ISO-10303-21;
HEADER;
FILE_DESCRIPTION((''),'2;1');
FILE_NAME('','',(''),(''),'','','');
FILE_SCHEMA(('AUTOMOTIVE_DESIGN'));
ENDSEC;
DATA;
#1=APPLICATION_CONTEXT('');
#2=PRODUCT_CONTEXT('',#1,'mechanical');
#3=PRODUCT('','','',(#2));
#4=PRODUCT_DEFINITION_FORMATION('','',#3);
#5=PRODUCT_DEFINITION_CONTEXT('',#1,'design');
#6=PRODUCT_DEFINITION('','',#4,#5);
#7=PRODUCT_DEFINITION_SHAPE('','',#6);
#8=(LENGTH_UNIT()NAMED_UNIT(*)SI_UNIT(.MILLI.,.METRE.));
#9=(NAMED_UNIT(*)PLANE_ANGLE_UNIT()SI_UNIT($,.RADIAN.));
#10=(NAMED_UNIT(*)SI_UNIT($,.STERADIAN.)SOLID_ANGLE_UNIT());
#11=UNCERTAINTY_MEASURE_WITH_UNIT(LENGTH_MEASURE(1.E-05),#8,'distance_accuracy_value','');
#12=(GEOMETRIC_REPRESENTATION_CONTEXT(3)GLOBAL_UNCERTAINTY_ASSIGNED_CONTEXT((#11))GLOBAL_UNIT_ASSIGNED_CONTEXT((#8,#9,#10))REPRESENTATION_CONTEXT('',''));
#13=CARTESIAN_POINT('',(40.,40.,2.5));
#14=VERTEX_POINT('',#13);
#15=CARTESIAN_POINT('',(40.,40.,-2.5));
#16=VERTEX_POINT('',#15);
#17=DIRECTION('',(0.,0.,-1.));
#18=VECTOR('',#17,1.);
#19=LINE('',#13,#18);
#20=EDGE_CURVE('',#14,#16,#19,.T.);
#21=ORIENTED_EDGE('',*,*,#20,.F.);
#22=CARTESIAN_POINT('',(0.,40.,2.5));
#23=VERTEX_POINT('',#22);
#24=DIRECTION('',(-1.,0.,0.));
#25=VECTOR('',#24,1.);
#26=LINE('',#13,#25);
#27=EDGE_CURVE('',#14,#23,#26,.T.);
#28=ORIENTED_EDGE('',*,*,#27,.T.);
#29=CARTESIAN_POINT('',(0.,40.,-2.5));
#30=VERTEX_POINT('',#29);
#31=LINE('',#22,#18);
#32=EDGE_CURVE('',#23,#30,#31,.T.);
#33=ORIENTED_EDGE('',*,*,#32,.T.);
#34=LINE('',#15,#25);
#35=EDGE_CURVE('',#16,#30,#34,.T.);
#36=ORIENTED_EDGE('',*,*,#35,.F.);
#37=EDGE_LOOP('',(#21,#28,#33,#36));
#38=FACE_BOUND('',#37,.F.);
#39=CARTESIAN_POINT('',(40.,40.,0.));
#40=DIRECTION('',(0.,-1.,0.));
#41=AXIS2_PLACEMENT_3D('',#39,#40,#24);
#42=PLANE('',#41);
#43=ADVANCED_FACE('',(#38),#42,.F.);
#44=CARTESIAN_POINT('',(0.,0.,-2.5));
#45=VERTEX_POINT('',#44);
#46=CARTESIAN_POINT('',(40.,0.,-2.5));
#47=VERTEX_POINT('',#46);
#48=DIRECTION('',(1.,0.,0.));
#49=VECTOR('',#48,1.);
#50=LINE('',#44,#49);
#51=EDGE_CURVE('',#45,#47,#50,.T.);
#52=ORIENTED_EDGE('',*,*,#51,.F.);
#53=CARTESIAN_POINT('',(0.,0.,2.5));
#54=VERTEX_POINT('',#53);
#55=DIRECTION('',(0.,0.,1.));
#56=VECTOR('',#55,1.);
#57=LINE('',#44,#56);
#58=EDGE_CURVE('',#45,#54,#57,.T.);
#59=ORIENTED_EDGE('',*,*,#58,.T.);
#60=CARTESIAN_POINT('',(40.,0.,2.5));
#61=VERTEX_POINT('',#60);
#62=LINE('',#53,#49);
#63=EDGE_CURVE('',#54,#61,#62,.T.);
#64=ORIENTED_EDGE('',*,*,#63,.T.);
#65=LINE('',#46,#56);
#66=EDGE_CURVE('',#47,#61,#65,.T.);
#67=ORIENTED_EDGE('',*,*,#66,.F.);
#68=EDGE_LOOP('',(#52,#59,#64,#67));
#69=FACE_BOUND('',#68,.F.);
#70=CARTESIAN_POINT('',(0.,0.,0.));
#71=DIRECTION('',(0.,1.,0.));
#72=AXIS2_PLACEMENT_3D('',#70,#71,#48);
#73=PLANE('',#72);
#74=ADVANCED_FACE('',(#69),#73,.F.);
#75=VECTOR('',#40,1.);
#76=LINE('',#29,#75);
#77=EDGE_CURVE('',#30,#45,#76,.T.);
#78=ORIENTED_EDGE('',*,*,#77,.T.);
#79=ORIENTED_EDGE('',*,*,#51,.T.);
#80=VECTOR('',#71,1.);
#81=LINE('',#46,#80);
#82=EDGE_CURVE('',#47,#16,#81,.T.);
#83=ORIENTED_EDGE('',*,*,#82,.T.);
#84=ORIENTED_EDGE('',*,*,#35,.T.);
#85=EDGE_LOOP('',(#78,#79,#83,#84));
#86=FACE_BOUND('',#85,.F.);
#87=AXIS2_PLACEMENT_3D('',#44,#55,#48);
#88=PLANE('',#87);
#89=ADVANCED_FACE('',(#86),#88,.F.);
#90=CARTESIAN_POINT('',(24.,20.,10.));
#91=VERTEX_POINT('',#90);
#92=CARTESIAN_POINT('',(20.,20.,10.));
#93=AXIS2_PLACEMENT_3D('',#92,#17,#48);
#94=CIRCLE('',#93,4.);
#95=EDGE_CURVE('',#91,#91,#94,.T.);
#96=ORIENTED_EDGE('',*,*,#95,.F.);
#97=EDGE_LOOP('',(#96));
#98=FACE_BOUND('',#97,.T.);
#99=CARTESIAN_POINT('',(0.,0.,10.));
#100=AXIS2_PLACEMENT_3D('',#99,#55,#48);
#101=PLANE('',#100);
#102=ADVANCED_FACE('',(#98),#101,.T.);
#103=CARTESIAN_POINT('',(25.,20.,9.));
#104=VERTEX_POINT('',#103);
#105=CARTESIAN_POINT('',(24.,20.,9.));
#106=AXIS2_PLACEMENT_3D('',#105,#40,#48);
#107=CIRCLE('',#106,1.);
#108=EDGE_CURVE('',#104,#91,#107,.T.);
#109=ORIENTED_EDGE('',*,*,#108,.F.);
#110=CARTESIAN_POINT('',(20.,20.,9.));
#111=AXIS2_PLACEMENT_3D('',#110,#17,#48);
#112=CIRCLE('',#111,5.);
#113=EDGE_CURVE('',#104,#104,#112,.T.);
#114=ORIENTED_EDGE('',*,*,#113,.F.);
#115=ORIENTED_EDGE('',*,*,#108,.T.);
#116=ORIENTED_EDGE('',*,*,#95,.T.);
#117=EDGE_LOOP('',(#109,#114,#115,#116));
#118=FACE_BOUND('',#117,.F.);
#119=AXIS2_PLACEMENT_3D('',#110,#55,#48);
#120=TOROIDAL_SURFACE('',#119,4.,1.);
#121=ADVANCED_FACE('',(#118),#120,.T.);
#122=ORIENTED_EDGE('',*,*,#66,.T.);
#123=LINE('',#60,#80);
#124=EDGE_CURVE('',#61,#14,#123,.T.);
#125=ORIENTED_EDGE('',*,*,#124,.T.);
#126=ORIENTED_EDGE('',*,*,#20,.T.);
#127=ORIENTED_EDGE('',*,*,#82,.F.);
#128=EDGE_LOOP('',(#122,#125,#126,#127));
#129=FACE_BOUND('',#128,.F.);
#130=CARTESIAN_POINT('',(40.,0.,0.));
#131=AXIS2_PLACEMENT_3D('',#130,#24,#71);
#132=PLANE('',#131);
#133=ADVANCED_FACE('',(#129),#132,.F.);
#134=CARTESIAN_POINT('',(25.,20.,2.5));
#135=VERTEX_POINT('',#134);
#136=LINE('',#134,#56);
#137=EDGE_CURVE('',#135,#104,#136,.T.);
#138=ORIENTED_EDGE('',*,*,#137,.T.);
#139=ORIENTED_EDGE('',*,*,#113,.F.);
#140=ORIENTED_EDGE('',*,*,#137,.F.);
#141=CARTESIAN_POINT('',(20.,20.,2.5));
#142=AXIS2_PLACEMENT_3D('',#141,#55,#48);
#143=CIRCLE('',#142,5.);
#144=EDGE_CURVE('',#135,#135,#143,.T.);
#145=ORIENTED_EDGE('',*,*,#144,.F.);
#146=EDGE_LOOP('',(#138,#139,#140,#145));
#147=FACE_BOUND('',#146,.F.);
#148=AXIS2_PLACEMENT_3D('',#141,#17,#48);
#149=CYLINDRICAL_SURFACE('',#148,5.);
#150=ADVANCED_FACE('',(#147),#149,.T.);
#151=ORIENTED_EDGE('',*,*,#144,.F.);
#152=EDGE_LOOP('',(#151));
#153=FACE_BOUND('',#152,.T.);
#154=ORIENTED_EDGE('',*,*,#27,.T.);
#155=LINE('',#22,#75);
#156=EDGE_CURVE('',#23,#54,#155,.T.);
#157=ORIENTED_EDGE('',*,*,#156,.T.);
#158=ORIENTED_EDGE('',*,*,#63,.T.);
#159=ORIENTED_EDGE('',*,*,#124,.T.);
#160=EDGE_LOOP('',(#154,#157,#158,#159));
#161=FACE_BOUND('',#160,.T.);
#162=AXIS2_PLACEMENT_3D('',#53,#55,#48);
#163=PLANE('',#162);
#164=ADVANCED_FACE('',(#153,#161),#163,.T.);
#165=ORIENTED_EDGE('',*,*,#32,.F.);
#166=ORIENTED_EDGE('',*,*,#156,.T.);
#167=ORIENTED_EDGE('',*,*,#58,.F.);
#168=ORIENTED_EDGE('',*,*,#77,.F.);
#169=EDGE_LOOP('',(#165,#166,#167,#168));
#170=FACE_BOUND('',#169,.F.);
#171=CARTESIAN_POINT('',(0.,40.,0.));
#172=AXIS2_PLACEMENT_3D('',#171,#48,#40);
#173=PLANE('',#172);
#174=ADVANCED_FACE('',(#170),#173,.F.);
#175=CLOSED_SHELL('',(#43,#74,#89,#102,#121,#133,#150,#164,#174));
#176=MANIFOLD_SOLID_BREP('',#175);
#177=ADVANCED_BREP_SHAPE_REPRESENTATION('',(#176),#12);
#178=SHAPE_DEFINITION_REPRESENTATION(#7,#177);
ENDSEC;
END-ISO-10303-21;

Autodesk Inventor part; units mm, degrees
ref_plane "YZ Plane" through (0, 0, 0) normal (1, 0, 0) x (0, 1, 0)
ref_plane "XZ Plane" through (0, 0, 0) normal (0, 1, 0) x (-1, 0, 0)
ref_plane "XY Plane" through (0, 0, 0) normal (0, 0, 1) x (1, 0, 0)
sketch "Esboço1" plane through (0, 0, 0) normal (0, 0, 1) x (1, 0, 0)
  line L0 (0, 0) -> (40, 0)
  line L1 (40, 0) -> (40, 40)
  line L2 (40, 40) -> (0, 40)
  line L3 (0, 40) -> (0, 0)
  dimension "d0" = 40
  dimension "d1" = 40
extrude "Extrusão1" add sketch "Esboço1" along normal mid plane 5
sketch "Esboço2" plane through (0, 0, 2.5) normal (0, 0, 1) x (1, 0, 0)
  line L0 (0, 40) -> (0, 0) projected
  line L1 (0, 20) -> (40, 20)
  line L2 (40, 0) -> (40, 40) projected
  circle A0 centre (20, 20) radius 5
  dimension "d6" = 10
extrude "Extrusão2" add sketch "Esboço2" along normal blind 7.5
fillet "Arredondamento1" radius 1 1 edges at (15, 20, 10)
properties part number "base"
